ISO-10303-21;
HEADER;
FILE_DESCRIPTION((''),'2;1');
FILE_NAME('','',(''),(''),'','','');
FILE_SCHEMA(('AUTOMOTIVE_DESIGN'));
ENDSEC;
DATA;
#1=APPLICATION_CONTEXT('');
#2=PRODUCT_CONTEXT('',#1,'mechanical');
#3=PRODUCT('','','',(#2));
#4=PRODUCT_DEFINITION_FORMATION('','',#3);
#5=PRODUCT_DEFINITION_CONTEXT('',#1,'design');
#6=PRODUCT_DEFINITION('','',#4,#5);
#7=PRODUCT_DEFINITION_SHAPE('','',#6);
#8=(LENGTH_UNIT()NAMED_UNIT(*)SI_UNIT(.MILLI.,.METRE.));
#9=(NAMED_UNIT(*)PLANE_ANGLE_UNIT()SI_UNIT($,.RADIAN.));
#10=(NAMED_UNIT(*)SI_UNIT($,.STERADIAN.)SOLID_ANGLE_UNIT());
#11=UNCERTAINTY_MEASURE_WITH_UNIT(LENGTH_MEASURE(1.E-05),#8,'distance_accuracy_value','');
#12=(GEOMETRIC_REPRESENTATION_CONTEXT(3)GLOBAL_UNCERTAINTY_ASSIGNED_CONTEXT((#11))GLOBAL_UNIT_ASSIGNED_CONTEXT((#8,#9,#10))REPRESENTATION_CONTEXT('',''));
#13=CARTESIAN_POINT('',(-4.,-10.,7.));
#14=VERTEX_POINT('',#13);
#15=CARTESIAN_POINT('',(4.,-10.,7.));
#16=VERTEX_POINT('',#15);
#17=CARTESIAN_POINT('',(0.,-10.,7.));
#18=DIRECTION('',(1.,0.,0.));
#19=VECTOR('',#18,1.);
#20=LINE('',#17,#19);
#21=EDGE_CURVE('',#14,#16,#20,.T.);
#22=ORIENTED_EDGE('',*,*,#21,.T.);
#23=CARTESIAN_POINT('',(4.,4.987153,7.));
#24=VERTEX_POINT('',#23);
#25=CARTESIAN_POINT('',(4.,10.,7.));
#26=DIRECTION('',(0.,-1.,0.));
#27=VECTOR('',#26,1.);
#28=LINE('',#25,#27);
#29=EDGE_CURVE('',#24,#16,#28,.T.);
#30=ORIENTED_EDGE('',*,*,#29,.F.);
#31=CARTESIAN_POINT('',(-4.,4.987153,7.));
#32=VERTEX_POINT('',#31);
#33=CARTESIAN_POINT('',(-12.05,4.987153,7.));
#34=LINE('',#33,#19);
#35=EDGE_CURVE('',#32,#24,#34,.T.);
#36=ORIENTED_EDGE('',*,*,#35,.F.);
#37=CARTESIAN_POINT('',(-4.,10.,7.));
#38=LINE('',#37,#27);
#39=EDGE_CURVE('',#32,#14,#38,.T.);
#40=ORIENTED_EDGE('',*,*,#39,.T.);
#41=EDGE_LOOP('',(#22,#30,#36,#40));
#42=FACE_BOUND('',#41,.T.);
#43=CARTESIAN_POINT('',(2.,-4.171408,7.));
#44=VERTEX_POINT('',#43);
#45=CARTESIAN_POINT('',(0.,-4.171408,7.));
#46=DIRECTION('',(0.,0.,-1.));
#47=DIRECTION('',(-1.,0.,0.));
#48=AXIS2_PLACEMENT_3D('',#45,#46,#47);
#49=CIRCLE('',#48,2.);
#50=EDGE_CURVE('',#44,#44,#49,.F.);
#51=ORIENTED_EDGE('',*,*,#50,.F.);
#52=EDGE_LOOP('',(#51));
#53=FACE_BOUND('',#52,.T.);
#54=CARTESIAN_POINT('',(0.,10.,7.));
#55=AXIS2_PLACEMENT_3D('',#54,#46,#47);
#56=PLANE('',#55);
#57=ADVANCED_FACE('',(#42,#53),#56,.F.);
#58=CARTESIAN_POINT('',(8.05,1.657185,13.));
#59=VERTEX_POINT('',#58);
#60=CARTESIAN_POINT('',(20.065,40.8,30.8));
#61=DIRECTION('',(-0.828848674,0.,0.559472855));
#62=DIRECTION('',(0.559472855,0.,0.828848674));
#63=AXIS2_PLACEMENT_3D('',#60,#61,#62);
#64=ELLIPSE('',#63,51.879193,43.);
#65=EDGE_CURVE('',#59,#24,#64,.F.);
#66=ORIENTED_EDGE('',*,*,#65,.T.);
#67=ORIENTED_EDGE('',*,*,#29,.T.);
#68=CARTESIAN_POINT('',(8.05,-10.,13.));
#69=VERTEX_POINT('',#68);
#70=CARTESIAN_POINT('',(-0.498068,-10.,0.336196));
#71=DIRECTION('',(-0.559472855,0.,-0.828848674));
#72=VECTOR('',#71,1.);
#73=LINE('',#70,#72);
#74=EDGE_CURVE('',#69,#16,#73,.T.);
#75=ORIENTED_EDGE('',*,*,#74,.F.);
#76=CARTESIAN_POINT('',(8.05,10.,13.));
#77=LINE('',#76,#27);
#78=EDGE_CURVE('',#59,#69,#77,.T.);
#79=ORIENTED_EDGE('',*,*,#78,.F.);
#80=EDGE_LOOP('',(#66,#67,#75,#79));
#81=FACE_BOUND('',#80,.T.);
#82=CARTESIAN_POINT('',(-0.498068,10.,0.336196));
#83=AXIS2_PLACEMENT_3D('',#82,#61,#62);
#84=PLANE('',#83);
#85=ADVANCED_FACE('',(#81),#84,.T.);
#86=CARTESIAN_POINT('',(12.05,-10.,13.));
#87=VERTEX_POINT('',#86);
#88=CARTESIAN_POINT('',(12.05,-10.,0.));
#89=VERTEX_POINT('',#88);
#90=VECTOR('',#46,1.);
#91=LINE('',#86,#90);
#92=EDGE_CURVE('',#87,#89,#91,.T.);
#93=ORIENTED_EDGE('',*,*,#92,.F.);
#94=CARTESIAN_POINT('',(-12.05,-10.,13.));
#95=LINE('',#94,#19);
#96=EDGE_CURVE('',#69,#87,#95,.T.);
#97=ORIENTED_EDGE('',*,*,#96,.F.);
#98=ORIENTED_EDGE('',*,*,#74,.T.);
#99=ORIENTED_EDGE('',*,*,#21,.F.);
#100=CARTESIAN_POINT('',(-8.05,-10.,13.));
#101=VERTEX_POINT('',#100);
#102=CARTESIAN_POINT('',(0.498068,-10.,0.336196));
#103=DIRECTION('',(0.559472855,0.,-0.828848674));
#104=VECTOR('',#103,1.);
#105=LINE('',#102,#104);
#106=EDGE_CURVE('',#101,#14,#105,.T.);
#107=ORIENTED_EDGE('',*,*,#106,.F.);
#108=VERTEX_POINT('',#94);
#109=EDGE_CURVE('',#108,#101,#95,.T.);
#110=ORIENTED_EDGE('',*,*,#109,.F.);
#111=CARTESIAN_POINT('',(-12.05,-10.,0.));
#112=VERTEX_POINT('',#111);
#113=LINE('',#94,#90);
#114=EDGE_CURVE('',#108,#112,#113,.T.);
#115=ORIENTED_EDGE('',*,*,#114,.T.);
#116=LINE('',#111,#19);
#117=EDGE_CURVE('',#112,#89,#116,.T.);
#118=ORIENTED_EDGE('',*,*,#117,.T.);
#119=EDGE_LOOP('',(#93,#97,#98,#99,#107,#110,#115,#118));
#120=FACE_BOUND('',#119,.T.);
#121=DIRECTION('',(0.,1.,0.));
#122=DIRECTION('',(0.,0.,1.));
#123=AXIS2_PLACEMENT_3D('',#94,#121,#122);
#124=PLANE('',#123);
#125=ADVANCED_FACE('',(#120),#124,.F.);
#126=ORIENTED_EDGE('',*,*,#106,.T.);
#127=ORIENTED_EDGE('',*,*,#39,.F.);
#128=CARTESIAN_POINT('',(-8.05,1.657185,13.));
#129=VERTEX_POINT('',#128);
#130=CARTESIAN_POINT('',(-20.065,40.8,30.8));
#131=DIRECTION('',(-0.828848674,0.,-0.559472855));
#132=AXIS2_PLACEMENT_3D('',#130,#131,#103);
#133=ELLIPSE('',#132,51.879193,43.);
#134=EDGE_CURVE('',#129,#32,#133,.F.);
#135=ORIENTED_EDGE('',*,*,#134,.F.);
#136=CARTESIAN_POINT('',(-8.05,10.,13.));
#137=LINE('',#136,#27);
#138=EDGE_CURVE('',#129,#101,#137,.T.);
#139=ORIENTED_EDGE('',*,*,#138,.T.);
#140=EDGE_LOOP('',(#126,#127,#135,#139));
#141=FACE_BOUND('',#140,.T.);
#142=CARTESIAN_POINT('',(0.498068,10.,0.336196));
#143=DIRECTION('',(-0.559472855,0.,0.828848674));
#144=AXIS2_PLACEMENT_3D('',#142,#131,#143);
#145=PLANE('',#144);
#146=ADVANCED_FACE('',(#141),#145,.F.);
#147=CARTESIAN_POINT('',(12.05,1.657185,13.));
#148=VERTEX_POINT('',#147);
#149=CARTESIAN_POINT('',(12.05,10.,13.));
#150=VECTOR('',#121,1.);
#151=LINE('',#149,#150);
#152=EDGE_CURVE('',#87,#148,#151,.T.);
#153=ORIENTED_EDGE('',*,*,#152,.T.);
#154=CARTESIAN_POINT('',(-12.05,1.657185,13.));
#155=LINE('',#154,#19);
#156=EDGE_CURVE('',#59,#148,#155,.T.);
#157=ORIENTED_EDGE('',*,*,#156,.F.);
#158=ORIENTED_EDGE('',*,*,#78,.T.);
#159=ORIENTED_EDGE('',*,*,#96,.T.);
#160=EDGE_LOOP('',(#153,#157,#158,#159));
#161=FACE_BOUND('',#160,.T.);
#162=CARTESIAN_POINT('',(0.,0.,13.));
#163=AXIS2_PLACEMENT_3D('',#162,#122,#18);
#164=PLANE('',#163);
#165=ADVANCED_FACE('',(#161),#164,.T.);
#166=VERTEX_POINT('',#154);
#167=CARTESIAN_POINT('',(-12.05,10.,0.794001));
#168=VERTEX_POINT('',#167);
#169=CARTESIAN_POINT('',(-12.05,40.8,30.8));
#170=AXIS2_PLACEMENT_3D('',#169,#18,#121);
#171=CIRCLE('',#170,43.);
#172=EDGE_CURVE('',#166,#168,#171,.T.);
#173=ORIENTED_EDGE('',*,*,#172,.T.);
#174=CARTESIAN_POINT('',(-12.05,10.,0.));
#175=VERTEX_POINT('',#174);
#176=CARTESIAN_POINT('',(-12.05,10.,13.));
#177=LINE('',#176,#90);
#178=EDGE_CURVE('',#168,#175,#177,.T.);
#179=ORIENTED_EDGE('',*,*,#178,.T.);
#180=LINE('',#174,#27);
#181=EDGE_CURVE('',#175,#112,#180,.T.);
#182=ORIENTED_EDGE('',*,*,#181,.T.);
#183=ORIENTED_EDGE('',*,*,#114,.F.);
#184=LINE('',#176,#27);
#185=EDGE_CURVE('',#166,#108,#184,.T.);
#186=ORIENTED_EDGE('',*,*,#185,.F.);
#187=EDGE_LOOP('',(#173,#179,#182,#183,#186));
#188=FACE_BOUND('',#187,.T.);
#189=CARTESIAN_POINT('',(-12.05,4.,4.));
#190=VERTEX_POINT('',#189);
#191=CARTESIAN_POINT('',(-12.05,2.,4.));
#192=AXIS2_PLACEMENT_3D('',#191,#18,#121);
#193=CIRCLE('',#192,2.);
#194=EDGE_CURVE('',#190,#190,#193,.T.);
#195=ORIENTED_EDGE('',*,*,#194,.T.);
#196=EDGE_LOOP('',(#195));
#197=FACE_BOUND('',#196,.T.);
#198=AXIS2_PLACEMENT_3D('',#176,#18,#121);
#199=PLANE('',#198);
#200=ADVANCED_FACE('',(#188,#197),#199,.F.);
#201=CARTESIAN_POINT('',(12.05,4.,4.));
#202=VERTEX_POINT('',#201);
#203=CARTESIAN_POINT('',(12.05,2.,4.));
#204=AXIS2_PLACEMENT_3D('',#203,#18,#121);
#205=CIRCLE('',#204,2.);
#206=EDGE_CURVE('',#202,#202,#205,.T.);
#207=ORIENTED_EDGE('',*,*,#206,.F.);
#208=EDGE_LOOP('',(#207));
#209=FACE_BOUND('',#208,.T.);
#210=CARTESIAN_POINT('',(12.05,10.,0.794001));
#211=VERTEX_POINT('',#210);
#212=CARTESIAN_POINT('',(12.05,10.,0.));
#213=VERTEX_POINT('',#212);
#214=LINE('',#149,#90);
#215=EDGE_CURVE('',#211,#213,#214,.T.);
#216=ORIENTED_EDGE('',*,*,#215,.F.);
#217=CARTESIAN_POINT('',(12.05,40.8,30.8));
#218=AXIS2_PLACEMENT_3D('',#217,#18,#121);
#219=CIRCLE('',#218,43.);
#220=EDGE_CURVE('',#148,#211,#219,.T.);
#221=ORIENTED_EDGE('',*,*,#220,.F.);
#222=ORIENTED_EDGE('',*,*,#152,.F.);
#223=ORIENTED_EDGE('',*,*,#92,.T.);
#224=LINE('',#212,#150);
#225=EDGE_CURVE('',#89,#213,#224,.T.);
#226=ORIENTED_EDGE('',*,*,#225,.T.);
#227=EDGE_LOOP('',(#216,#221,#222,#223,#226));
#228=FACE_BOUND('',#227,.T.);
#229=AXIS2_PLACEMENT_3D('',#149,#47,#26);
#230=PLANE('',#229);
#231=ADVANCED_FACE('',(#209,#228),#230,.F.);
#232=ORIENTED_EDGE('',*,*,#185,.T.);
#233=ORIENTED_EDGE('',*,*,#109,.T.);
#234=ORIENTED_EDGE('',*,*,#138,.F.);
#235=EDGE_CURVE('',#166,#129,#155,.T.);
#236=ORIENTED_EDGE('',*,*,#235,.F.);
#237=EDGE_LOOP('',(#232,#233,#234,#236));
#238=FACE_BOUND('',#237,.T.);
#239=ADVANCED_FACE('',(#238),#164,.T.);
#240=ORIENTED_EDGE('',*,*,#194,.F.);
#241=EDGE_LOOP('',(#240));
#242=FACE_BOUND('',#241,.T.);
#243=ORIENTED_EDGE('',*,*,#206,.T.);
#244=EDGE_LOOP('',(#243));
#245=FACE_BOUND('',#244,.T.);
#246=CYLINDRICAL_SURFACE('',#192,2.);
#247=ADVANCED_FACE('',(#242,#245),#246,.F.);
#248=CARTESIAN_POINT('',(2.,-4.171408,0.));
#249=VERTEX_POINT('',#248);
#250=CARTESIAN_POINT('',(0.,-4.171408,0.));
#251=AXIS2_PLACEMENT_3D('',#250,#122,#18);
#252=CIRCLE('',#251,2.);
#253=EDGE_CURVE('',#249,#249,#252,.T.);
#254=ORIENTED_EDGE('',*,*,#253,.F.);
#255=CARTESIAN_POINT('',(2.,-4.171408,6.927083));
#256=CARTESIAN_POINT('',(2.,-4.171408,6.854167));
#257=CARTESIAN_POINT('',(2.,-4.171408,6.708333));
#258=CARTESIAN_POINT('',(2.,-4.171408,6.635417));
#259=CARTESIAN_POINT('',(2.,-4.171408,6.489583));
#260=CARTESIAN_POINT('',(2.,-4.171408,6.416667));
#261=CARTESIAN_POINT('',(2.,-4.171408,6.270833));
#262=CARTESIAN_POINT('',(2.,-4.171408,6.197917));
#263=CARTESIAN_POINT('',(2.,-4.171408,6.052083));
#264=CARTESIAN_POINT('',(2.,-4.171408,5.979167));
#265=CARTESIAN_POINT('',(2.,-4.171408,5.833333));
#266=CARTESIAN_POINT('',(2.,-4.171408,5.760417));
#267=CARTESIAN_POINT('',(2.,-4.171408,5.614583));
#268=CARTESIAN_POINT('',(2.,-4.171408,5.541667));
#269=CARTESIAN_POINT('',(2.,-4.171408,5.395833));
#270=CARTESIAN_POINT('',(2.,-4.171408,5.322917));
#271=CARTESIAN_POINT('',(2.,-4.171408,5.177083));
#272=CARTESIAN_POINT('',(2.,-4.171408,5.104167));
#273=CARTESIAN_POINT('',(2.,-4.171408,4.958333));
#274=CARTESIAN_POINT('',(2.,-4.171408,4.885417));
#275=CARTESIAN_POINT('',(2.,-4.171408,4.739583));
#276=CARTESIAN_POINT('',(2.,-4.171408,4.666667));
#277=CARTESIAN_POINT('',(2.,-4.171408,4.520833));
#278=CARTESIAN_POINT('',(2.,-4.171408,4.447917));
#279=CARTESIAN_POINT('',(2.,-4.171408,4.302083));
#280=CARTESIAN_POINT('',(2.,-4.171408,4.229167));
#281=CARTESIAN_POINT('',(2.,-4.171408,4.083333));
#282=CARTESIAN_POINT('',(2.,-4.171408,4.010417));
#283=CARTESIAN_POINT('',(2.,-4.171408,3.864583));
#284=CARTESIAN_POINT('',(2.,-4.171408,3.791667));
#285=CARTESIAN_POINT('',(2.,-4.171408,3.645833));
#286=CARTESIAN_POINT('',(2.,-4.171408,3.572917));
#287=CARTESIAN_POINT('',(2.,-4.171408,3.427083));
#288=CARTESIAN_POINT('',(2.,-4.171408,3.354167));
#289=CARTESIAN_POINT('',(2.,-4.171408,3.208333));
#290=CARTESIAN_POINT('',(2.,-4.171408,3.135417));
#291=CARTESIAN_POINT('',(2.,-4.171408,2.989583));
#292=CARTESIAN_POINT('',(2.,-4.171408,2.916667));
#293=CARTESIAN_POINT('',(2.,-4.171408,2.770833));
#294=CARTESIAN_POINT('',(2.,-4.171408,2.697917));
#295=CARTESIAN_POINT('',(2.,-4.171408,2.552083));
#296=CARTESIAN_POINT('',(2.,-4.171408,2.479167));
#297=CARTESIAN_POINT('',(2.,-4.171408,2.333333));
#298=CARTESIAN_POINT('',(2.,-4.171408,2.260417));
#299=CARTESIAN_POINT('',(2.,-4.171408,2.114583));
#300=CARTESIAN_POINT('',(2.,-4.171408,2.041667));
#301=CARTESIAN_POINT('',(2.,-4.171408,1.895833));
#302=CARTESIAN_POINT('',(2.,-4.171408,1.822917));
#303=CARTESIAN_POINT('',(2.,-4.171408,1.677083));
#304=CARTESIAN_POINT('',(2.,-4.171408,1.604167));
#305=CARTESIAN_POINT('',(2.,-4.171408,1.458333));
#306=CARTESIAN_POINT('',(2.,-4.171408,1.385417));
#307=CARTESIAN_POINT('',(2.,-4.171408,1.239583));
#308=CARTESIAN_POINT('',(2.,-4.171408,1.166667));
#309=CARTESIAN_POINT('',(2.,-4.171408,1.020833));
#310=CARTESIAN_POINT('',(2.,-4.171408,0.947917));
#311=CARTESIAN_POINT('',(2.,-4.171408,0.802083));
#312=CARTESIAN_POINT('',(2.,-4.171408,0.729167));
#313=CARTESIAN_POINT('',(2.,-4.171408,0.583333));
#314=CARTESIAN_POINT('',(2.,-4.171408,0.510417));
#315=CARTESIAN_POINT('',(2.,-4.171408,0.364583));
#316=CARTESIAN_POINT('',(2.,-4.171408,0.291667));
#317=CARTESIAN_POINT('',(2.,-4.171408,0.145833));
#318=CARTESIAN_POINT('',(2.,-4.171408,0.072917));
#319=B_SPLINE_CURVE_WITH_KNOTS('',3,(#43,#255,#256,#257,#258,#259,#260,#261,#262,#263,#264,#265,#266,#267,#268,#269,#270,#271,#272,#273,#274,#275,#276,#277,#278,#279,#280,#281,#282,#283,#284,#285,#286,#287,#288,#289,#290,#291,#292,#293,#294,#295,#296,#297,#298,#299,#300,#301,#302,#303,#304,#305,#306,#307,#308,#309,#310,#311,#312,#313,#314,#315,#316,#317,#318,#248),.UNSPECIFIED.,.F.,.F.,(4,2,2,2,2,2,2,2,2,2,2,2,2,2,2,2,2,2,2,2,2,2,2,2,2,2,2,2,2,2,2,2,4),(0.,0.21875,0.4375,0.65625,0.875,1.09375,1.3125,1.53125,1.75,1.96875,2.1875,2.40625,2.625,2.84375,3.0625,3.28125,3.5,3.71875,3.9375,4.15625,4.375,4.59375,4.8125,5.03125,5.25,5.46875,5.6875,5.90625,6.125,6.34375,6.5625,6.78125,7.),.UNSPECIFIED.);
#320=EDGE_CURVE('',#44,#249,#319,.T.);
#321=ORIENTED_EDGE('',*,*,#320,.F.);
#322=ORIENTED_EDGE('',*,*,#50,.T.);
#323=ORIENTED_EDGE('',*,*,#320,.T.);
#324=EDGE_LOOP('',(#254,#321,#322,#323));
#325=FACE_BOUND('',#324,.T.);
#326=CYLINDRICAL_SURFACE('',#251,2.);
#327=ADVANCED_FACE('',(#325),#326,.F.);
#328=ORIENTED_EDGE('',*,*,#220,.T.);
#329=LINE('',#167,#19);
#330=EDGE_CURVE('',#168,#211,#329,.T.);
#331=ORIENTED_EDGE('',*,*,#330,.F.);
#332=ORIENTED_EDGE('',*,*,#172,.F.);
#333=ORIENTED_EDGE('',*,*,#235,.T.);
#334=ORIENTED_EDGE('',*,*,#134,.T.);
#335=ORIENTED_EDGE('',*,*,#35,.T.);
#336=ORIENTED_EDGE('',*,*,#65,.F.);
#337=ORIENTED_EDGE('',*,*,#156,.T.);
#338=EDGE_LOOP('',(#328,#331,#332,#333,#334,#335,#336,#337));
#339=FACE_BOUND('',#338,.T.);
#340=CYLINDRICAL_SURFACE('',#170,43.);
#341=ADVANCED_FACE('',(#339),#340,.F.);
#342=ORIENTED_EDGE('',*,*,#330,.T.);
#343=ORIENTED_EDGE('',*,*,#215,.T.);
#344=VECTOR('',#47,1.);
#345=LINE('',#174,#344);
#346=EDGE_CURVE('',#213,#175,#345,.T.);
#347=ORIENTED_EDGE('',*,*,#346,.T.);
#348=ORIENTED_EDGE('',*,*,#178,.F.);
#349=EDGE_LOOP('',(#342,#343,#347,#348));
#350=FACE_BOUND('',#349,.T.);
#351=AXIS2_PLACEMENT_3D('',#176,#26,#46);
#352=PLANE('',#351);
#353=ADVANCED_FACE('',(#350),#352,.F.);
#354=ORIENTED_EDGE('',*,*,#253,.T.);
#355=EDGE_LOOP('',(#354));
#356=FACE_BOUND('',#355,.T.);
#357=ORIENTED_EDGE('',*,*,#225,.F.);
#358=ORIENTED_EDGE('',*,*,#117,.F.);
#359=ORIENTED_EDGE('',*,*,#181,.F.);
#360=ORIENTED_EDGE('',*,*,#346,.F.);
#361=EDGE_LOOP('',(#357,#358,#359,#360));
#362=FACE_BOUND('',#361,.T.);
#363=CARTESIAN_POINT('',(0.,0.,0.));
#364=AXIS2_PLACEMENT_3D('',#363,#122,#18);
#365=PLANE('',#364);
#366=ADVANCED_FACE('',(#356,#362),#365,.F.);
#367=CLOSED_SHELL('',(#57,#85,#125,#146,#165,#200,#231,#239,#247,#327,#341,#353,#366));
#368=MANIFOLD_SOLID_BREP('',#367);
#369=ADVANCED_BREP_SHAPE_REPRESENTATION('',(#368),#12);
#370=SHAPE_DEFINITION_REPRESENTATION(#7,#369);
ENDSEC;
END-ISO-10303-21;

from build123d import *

# Parameters (mm, degrees)
SKETCH_1_W          = 24.1
SKETCH_1_H          = 20
EXTRUDE_1_DEPTH     = 13
CUT_EXTRUDE_2_DEPTH = 30.151500819
SKETCH_4_R          = 2
CUT_EXTRUDE_3_DEPTH = 21.351965507
CUT_EXTRUDE_4_DEPTH = 27.724567349
SKETCH_6_R          = 2
CUT_EXTRUDE_5_DEPTH = 30.151500819


with BuildPart() as part:
    # 草图1 → 凸台-拉伸1 (new body)
    with BuildSketch(Plane.XY):
        Rectangle(SKETCH_1_W, SKETCH_1_H)
    extrude(amount=EXTRUDE_1_DEPTH)

    # 草图3 → 切除-拉伸2 (cut, through all)
    with BuildSketch(Plane(origin=(12.05, 0, 0), x_dir=(0, 0, -1), z_dir=(1, 0, 0))):
        with BuildLine():
            Line((-0.7940006, 10), (-13, 10))
            Line((-13, 10), (-13, 1.657184567))
            ThreePointArc((-13, 1.657184567), (-6.535745695, 5.300056859), (-0.7940006, 10))
        make_face()
    extrude(amount=-CUT_EXTRUDE_2_DEPTH, mode=Mode.SUBTRACT)

    # 草图4 → 切除-拉伸3 (cut, through all)
    with BuildSketch(Plane.XY.offset(13)):
        with Locations((0, -4.171407716)):
            Circle(SKETCH_4_R)
    extrude(amount=-CUT_EXTRUDE_3_DEPTH, mode=Mode.SUBTRACT)

    # 草图5 → 切除-拉伸4 (cut, through all)
    with BuildSketch(Plane.XZ.offset(10)):
        Polygon((0, 13), (-8.05, 13), (-4, 7), (0, 7), align=None)
        Polygon((8.05, 13), (0, 13), (0, 7), (4, 7), align=None)
    extrude(amount=-CUT_EXTRUDE_4_DEPTH, mode=Mode.SUBTRACT)

    # 草图6 → 切除-拉伸5 (cut, through all)
    with BuildSketch(Plane(origin=(12.05, 0, 0), x_dir=(0, 0, -1), z_dir=(1, 0, 0))):
        with Locations(Location((-4, 2, 0), (0, 0, 90))):
            Circle(SKETCH_6_R)
    extrude(amount=-CUT_EXTRUDE_5_DEPTH, mode=Mode.SUBTRACT)


solid = part.part
